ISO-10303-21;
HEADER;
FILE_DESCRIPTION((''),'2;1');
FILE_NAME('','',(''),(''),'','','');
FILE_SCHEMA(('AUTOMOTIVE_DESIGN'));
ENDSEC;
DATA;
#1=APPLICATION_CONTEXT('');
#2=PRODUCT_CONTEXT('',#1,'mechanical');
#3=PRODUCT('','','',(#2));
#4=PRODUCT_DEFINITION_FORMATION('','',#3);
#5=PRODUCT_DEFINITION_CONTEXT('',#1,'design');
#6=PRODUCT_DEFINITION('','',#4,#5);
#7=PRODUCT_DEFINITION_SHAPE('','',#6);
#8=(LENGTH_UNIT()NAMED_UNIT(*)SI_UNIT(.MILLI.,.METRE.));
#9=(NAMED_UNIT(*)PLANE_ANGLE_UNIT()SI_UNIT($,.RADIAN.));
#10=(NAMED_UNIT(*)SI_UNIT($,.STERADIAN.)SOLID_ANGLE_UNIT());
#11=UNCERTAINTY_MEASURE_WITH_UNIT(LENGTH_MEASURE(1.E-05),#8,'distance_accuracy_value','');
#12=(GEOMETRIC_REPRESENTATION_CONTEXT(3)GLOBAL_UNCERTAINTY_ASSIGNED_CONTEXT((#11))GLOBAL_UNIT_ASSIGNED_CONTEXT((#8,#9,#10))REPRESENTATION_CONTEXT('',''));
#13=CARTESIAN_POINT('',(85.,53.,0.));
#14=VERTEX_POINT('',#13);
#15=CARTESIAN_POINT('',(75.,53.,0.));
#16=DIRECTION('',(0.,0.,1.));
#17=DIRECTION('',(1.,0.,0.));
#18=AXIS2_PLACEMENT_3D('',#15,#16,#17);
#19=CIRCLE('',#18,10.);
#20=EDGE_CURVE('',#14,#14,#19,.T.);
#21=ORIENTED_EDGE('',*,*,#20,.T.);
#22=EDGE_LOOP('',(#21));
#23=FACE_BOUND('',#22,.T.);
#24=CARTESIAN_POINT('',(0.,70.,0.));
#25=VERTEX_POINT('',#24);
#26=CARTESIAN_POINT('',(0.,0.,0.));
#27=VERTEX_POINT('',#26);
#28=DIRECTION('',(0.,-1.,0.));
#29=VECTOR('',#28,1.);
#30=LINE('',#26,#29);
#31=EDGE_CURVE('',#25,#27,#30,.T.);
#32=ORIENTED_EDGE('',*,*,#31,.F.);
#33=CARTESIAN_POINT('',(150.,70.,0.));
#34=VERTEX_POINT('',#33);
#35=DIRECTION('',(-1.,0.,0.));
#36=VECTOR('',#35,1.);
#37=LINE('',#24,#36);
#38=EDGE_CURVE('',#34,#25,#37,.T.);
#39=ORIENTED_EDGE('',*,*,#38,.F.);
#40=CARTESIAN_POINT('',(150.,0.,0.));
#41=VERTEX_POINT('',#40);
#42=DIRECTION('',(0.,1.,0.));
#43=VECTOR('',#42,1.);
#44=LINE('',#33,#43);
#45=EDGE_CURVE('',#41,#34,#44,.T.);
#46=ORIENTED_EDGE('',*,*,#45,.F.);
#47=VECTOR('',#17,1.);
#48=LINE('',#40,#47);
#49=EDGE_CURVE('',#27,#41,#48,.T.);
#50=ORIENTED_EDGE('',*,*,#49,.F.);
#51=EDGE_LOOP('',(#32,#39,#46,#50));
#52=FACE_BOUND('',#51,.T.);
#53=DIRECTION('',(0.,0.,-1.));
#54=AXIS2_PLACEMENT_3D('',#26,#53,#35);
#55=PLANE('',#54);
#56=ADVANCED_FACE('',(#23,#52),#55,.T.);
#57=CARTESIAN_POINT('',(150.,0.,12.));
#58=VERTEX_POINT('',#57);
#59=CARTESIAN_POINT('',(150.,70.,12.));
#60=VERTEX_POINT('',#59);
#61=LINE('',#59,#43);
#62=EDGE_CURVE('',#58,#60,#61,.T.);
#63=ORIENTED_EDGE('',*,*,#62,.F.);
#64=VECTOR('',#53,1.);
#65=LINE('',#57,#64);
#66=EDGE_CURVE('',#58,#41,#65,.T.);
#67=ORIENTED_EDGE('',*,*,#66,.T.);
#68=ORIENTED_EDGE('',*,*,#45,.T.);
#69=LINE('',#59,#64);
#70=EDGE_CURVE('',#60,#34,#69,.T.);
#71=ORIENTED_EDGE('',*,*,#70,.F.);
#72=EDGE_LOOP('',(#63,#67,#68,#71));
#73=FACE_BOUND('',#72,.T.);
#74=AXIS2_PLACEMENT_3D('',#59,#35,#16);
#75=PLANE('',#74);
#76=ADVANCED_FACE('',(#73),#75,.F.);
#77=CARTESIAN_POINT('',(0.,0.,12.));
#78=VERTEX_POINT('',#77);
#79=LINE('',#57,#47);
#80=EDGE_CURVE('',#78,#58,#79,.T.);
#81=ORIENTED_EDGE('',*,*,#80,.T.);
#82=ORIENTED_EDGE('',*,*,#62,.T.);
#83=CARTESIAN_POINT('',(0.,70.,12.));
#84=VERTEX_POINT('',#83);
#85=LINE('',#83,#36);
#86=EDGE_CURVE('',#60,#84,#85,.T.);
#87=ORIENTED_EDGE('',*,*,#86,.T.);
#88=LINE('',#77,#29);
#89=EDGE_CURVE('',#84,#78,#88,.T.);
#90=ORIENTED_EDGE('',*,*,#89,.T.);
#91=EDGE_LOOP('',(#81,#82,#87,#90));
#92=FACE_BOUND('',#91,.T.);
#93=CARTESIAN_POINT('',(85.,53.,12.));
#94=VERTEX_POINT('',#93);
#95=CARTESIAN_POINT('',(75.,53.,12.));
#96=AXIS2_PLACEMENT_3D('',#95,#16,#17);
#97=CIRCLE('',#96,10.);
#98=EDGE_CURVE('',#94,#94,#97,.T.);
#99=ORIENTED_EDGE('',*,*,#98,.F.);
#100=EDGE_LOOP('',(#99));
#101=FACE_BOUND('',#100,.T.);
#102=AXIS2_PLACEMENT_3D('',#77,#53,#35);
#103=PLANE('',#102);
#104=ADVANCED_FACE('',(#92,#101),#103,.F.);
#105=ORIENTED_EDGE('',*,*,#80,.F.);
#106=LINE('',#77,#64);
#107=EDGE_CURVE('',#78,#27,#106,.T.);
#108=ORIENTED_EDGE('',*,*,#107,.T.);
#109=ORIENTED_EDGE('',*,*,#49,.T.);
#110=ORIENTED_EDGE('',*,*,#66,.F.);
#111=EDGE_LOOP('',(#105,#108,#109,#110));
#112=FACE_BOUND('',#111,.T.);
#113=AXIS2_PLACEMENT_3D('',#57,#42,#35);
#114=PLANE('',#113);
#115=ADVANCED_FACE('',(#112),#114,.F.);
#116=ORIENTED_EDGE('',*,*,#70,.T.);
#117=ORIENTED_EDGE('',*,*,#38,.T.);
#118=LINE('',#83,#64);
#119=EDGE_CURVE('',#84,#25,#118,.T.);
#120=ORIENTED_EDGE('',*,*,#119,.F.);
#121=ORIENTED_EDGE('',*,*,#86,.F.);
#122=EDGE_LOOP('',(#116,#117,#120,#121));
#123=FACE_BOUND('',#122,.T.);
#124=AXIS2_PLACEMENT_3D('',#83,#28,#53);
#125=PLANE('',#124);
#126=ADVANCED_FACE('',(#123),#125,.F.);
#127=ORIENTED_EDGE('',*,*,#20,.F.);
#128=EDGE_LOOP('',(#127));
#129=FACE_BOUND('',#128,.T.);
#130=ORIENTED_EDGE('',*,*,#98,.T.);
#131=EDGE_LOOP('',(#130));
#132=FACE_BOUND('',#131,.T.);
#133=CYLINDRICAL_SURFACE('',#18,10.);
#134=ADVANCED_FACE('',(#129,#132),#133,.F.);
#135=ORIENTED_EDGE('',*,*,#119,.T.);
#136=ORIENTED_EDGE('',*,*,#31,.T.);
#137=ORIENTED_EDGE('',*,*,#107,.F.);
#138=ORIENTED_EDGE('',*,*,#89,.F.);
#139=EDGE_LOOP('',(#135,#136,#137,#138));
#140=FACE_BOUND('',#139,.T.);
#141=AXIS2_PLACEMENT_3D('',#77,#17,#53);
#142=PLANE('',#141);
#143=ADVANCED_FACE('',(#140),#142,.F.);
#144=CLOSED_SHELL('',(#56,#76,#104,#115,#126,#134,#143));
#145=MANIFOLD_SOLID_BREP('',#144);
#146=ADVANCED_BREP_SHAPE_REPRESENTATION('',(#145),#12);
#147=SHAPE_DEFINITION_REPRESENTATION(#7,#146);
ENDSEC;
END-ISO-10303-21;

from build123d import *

# Parameters (mm, degrees)
CROQUIS1_W              = 150
CROQUIS1_H              = 70
SALIENTE_EXTRUIR1_DEPTH = 12
CROQUIS3_R              = 10
CORTAR_EXTRUIR1_DEPTH   = 13


with BuildPart() as part:
    # Croquis1 → Saliente-Extruir1 (new body)
    with BuildSketch(Plane.XY):
        with Locations((75, 35)):
            Rectangle(CROQUIS1_W, CROQUIS1_H)
    extrude(amount=SALIENTE_EXTRUIR1_DEPTH)

    # Croquis3 → Cortar-Extruir1 (cut, through all)
    with BuildSketch(Plane.XY.offset(12)):
        with Locations((75, 53)):
            Circle(CROQUIS3_R)
    extrude(amount=-CORTAR_EXTRUIR1_DEPTH, mode=Mode.SUBTRACT)


solid = part.part
